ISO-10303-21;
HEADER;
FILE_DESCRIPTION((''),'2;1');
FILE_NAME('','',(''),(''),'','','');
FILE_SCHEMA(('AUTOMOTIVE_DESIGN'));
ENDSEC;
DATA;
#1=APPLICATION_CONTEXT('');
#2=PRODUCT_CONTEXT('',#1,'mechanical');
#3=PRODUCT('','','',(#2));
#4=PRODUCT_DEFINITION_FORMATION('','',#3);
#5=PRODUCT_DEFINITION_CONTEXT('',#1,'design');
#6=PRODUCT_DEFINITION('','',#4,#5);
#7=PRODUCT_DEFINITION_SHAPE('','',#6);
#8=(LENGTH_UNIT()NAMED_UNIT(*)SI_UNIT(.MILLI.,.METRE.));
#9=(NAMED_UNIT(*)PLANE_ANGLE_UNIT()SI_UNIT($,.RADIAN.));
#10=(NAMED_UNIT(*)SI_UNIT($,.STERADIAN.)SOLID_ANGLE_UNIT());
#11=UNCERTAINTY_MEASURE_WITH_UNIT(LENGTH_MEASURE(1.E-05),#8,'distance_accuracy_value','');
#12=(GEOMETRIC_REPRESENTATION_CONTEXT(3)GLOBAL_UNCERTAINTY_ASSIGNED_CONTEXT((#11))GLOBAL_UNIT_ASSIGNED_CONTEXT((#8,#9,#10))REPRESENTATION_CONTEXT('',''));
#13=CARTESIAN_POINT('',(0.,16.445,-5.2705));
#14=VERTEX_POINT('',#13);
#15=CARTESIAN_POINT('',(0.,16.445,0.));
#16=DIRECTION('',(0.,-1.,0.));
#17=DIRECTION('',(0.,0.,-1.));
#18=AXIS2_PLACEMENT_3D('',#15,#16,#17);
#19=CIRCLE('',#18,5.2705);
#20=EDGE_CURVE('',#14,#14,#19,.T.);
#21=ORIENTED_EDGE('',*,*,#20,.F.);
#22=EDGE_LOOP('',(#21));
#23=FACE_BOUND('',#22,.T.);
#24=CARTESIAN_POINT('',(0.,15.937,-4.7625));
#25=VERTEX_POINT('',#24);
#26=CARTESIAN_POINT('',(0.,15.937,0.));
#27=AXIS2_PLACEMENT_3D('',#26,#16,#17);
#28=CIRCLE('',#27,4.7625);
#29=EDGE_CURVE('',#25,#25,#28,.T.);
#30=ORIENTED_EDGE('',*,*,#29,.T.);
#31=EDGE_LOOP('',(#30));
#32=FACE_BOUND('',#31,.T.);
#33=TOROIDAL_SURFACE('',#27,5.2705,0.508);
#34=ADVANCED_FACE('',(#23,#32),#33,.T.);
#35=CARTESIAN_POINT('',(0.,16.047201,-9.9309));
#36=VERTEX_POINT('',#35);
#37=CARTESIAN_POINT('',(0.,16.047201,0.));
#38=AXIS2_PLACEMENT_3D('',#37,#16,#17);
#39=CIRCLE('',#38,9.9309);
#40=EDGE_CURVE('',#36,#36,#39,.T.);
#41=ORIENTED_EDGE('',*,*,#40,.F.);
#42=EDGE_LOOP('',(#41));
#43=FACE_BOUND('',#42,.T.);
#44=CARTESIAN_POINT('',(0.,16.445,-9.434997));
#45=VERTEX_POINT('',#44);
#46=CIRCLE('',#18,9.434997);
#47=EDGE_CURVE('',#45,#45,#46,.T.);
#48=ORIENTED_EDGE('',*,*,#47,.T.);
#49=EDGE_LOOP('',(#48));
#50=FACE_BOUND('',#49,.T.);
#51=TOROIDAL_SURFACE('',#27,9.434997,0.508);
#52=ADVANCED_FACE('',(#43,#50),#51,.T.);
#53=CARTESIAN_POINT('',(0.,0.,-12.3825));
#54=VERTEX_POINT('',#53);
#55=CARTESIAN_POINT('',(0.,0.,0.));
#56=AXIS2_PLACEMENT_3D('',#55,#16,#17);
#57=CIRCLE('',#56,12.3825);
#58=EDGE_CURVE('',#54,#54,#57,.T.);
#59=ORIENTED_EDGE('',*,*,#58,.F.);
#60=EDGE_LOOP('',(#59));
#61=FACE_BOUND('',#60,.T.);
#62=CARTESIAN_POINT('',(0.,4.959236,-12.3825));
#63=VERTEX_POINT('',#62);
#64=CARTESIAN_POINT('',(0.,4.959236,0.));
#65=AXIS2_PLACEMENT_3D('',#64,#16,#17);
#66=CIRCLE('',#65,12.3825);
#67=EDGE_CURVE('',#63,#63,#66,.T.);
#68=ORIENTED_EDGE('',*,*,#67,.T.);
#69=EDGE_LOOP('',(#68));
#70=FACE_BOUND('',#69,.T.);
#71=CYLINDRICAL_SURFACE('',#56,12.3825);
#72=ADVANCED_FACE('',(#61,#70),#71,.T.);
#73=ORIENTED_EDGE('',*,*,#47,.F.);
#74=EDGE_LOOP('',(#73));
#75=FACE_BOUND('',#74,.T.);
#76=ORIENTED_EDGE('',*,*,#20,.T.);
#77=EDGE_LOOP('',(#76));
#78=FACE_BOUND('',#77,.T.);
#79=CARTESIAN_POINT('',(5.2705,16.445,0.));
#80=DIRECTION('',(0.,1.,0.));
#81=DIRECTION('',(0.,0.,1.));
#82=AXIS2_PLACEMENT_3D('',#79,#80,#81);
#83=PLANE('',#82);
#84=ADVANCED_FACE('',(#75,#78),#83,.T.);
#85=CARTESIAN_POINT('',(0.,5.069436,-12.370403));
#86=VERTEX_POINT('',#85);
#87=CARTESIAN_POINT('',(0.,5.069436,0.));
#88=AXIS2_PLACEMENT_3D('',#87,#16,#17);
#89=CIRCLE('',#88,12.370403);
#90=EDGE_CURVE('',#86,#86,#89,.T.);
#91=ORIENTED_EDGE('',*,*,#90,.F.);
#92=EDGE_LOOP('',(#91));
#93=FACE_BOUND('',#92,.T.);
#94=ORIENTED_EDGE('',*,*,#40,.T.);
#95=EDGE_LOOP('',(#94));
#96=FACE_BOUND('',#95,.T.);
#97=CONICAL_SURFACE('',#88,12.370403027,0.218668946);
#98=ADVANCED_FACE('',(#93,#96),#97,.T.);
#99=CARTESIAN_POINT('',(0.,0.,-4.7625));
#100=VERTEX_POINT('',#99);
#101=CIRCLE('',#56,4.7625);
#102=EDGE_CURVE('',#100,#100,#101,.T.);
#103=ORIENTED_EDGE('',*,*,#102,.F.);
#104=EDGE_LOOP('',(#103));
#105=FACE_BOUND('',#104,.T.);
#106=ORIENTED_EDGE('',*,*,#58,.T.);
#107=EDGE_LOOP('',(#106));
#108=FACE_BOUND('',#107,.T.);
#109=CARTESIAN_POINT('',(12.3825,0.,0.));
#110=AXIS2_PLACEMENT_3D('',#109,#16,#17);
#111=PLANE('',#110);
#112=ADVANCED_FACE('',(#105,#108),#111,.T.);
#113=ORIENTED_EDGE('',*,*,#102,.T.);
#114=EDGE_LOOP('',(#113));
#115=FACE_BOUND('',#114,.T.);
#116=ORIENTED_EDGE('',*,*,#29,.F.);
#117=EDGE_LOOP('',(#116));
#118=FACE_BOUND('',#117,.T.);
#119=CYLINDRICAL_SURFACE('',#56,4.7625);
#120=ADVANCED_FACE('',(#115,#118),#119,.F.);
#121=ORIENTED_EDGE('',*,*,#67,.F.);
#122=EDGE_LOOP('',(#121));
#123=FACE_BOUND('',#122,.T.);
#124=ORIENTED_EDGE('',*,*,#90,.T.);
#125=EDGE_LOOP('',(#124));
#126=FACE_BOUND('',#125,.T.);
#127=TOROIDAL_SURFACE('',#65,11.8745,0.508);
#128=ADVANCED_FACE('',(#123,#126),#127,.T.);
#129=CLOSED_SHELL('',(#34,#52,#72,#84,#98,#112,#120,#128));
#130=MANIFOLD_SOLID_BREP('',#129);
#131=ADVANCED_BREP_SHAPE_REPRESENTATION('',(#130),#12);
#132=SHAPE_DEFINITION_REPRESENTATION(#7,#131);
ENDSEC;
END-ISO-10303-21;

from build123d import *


with BuildPart() as part:
    # Sketch1 → Revolve1 (revolve)
    with BuildSketch(Plane.XY):
        with BuildLine():
            Line((4.7625, 0), (4.7625, 15.937))
            ThreePointArc((4.7625, 15.937), (4.911289755, 16.296210245), (5.2705, 16.445))
            Line((5.2705, 16.445), (9.434996824, 16.445))
            ThreePointArc((9.434996824, 16.445), (9.75286634, 16.333261241), (9.930899851, 16.047200673))
            Line((9.930899851, 16.047200673), (12.370403027, 5.06943638))
            ThreePointArc((12.370403027, 5.06943638), (12.379466701, 5.014667028), (12.3825, 4.959235708))
            Line((12.3825, 4.959235708), (12.3825, 0))
            Line((12.3825, 0), (4.7625, 0))
        make_face()
    revolve(axis=Axis((0, 0, 0), (0, 1, 0)))


solid = part.part
